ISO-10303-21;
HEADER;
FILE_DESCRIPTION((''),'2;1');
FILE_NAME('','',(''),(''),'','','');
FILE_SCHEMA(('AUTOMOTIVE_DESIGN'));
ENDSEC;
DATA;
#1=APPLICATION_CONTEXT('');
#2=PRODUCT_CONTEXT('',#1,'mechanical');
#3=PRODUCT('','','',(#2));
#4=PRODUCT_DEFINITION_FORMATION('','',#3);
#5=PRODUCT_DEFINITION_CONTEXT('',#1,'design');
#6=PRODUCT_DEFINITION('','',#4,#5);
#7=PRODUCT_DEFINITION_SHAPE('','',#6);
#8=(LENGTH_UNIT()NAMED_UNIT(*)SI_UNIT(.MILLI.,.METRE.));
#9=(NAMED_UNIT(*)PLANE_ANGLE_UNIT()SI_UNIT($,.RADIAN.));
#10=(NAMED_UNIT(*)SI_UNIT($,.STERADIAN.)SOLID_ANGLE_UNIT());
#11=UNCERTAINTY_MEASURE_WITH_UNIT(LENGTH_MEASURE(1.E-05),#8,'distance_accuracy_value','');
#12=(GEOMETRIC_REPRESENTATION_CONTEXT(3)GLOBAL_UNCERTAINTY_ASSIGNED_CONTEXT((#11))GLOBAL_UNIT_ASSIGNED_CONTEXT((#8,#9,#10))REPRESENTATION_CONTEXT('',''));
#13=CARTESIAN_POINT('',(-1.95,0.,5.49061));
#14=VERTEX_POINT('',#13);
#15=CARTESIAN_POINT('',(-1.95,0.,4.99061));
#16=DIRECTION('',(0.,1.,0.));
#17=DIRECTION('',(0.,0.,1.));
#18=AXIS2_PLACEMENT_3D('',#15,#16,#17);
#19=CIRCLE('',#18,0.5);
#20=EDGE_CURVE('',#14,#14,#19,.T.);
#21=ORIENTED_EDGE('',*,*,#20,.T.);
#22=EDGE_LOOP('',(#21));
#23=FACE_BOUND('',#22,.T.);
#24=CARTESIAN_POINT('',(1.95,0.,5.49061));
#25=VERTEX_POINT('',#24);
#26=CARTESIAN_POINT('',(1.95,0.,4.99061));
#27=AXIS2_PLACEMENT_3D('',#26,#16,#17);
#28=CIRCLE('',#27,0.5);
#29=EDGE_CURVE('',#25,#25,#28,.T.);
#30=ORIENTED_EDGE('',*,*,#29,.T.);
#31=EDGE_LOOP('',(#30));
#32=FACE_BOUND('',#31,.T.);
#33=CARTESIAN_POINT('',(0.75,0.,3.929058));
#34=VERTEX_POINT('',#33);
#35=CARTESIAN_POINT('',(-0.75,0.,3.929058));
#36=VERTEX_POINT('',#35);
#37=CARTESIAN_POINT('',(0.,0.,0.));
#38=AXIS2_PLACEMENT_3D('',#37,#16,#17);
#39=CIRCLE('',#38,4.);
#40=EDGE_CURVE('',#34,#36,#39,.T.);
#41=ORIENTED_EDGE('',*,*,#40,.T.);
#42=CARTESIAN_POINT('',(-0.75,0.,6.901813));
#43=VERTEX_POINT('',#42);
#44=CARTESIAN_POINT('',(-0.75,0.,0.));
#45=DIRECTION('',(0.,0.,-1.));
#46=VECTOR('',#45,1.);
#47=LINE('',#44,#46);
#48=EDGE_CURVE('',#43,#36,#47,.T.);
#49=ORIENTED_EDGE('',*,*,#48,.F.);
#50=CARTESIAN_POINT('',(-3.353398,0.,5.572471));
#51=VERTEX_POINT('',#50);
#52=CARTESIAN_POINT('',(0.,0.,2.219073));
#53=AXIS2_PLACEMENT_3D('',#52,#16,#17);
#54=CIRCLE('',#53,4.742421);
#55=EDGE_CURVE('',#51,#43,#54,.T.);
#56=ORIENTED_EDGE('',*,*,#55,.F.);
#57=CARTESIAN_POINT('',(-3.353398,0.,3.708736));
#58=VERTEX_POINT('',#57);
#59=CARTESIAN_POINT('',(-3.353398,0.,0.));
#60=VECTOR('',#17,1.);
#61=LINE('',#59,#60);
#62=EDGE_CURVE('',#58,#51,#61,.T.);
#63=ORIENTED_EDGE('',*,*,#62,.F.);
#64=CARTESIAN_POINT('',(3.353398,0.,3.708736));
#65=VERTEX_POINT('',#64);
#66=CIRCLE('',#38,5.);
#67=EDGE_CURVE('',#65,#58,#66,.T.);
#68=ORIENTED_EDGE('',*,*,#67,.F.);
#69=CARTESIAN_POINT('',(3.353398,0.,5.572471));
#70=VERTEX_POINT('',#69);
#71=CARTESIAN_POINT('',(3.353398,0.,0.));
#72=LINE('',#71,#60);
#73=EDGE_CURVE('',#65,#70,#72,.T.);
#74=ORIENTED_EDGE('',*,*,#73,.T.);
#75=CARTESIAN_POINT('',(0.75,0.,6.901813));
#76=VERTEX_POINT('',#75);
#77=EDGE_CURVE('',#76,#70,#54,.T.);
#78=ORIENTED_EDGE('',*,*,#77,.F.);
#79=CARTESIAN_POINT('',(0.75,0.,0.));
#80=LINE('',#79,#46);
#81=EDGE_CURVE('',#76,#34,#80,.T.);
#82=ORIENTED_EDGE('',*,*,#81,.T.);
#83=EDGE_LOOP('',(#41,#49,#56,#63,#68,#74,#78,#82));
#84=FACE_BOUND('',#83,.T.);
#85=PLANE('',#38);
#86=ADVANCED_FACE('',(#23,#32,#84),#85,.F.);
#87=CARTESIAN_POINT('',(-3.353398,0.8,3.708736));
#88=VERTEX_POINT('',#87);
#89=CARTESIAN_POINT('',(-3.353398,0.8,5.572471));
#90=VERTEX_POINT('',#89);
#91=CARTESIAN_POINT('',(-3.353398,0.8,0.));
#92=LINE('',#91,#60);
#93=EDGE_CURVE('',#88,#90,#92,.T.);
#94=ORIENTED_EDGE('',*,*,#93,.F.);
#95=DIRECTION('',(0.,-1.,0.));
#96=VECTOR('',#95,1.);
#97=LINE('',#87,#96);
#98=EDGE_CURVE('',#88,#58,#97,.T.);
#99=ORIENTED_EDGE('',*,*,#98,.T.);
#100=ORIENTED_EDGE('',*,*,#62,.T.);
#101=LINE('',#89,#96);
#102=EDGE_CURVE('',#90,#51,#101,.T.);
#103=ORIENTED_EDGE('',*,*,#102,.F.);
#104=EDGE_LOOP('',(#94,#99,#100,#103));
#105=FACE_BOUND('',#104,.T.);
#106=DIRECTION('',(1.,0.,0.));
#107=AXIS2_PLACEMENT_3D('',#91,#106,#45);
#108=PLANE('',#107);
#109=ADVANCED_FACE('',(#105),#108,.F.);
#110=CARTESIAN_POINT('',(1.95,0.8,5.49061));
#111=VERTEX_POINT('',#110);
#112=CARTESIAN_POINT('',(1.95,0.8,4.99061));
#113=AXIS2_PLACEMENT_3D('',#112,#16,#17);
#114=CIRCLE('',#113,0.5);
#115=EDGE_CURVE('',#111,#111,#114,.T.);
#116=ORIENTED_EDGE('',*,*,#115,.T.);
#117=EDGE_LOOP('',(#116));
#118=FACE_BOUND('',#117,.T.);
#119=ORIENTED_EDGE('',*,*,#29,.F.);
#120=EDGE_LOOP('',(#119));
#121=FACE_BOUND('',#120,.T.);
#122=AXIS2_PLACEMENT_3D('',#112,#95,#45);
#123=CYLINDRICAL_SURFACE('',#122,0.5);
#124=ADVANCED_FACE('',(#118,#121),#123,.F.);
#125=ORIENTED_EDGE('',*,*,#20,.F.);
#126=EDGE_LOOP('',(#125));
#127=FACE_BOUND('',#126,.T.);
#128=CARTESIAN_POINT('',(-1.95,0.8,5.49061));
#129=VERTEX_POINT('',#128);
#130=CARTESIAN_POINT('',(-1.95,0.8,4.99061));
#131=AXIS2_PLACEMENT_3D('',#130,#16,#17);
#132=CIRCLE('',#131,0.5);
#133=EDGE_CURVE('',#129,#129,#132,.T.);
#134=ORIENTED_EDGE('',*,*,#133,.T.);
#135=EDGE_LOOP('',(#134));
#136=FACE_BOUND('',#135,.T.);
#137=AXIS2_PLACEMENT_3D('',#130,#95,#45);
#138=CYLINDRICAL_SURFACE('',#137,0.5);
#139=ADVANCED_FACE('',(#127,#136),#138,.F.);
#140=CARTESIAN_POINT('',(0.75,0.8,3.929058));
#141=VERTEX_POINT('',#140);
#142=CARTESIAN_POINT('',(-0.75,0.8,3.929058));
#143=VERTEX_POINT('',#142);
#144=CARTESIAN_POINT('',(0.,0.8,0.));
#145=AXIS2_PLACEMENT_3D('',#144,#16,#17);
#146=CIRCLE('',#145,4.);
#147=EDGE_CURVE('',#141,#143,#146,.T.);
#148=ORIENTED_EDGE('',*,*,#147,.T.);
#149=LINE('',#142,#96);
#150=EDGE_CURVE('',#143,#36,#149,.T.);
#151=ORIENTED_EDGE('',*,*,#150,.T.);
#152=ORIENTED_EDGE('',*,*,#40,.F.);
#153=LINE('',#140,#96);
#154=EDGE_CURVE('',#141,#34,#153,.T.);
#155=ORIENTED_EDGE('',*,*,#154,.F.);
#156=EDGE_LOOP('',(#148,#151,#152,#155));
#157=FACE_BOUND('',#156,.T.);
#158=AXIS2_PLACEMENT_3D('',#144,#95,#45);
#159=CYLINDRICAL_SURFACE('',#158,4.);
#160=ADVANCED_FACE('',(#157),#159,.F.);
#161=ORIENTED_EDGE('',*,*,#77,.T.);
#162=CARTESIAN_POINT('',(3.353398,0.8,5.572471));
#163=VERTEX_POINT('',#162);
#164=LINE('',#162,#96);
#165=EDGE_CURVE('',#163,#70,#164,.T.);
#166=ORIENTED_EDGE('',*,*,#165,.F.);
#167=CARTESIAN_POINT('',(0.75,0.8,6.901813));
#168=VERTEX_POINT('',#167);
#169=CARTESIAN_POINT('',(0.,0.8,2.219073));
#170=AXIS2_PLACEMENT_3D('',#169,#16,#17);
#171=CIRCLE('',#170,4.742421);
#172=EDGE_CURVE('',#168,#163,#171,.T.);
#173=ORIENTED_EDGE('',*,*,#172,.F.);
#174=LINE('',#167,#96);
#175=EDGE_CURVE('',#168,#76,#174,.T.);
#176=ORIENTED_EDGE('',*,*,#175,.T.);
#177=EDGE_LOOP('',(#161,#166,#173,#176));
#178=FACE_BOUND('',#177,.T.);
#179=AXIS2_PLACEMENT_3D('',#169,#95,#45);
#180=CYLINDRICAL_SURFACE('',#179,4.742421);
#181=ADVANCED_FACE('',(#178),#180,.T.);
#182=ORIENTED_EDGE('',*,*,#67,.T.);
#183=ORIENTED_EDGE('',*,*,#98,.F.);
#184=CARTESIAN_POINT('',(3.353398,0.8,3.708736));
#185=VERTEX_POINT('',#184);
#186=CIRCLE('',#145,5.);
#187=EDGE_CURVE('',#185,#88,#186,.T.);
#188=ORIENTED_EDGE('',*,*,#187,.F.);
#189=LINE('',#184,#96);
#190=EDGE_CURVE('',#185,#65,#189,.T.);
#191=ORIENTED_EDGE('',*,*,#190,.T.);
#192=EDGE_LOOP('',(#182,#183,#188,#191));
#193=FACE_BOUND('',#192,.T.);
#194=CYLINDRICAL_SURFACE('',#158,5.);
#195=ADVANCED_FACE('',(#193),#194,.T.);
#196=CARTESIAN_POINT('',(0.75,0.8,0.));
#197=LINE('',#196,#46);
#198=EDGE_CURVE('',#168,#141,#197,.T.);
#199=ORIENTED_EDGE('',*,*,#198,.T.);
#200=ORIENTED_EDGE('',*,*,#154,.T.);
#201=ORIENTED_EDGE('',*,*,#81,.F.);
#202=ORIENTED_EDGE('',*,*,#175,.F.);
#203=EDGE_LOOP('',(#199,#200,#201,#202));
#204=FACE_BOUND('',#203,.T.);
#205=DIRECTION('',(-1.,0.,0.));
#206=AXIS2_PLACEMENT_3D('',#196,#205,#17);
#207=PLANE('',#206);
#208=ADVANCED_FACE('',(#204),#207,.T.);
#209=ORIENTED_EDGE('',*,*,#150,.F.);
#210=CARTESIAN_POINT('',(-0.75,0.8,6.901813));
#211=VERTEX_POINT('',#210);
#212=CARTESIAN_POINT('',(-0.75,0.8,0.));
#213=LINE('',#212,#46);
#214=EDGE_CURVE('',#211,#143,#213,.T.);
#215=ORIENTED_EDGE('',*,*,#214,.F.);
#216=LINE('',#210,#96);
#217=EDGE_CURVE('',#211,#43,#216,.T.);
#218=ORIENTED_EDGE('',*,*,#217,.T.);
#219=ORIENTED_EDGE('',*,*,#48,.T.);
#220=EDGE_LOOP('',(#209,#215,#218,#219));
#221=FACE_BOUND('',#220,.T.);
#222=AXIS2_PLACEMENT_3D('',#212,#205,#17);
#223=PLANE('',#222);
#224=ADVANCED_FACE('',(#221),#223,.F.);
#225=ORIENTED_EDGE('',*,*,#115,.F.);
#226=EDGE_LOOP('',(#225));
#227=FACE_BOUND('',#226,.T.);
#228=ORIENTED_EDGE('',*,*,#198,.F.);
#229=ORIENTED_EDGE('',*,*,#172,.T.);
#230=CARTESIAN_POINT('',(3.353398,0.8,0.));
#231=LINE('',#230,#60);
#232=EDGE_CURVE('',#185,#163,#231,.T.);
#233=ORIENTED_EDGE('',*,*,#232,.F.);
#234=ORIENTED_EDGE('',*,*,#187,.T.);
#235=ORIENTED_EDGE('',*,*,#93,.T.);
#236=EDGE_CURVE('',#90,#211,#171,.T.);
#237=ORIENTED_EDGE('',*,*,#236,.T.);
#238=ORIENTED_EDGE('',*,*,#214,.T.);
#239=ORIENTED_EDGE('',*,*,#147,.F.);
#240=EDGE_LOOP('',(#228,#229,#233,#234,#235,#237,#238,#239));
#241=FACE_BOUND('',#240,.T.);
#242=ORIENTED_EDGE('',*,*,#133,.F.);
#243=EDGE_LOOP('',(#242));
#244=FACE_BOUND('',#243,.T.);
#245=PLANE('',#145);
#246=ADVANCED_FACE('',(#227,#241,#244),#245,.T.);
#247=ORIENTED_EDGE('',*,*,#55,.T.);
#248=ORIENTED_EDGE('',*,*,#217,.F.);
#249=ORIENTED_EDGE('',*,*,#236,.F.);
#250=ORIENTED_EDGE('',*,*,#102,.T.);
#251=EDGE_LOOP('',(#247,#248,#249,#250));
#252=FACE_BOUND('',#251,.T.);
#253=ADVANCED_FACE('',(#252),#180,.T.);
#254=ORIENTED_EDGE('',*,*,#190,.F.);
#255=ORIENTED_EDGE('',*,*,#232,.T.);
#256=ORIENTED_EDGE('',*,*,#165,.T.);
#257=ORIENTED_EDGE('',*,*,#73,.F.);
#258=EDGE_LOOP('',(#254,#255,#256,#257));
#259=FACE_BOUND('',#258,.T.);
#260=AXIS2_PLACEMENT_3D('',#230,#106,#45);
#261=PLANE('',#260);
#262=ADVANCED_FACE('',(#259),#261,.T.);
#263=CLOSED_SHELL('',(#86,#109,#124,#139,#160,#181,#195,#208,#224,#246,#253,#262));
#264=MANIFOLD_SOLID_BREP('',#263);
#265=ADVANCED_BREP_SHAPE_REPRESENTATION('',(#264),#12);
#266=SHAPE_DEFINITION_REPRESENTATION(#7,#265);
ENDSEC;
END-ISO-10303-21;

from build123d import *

# Parameters (mm, degrees)
CROQUIS1_R              = 0.5
SALIENTE_EXTRUIR1_DEPTH = 0.8


with BuildPart() as part:
    # Croquis1 → Saliente-Extruir1 (new body)
    with BuildSketch(Plane(origin=(0, 0, 0), x_dir=(1, 0, 0), z_dir=(0, 1, 0))):
        with BuildLine():
            Line((-3.353398235, -3.708735671), (-3.353398235, -5.572470944))
            ThreePointArc((-3.353398235, -5.572470944), (-2.156677316, -6.442732544), (-0.75, -6.9018133))
            Line((-0.75, -6.9018133), (-0.75, -3.929058411))
            ThreePointArc((-0.75, -3.929058411), (0, 4), (0.75, -3.929058411))
            Line((0.75, -3.929058411), (0.75, -6.9018133))
            ThreePointArc((0.75, -6.9018133), (2.156677316, -6.442732544), (3.353398235, -5.572470944))
            Line((3.353398235, -5.572470944), (3.353398235, -3.708735671))
            ThreePointArc((3.353398235, -3.708735671), (0, 5), (-3.353398235, -3.708735671))
        make_face()
        with Locations(Location((-1.95, -4.990609766, 0), (0, 0, 270))):
            Circle(CROQUIS1_R, mode=Mode.SUBTRACT)
        with Locations(Location((1.95, -4.990609766, 0), (0, 0, 270))):
            Circle(CROQUIS1_R, mode=Mode.SUBTRACT)
    extrude(amount=SALIENTE_EXTRUIR1_DEPTH)


solid = part.part
